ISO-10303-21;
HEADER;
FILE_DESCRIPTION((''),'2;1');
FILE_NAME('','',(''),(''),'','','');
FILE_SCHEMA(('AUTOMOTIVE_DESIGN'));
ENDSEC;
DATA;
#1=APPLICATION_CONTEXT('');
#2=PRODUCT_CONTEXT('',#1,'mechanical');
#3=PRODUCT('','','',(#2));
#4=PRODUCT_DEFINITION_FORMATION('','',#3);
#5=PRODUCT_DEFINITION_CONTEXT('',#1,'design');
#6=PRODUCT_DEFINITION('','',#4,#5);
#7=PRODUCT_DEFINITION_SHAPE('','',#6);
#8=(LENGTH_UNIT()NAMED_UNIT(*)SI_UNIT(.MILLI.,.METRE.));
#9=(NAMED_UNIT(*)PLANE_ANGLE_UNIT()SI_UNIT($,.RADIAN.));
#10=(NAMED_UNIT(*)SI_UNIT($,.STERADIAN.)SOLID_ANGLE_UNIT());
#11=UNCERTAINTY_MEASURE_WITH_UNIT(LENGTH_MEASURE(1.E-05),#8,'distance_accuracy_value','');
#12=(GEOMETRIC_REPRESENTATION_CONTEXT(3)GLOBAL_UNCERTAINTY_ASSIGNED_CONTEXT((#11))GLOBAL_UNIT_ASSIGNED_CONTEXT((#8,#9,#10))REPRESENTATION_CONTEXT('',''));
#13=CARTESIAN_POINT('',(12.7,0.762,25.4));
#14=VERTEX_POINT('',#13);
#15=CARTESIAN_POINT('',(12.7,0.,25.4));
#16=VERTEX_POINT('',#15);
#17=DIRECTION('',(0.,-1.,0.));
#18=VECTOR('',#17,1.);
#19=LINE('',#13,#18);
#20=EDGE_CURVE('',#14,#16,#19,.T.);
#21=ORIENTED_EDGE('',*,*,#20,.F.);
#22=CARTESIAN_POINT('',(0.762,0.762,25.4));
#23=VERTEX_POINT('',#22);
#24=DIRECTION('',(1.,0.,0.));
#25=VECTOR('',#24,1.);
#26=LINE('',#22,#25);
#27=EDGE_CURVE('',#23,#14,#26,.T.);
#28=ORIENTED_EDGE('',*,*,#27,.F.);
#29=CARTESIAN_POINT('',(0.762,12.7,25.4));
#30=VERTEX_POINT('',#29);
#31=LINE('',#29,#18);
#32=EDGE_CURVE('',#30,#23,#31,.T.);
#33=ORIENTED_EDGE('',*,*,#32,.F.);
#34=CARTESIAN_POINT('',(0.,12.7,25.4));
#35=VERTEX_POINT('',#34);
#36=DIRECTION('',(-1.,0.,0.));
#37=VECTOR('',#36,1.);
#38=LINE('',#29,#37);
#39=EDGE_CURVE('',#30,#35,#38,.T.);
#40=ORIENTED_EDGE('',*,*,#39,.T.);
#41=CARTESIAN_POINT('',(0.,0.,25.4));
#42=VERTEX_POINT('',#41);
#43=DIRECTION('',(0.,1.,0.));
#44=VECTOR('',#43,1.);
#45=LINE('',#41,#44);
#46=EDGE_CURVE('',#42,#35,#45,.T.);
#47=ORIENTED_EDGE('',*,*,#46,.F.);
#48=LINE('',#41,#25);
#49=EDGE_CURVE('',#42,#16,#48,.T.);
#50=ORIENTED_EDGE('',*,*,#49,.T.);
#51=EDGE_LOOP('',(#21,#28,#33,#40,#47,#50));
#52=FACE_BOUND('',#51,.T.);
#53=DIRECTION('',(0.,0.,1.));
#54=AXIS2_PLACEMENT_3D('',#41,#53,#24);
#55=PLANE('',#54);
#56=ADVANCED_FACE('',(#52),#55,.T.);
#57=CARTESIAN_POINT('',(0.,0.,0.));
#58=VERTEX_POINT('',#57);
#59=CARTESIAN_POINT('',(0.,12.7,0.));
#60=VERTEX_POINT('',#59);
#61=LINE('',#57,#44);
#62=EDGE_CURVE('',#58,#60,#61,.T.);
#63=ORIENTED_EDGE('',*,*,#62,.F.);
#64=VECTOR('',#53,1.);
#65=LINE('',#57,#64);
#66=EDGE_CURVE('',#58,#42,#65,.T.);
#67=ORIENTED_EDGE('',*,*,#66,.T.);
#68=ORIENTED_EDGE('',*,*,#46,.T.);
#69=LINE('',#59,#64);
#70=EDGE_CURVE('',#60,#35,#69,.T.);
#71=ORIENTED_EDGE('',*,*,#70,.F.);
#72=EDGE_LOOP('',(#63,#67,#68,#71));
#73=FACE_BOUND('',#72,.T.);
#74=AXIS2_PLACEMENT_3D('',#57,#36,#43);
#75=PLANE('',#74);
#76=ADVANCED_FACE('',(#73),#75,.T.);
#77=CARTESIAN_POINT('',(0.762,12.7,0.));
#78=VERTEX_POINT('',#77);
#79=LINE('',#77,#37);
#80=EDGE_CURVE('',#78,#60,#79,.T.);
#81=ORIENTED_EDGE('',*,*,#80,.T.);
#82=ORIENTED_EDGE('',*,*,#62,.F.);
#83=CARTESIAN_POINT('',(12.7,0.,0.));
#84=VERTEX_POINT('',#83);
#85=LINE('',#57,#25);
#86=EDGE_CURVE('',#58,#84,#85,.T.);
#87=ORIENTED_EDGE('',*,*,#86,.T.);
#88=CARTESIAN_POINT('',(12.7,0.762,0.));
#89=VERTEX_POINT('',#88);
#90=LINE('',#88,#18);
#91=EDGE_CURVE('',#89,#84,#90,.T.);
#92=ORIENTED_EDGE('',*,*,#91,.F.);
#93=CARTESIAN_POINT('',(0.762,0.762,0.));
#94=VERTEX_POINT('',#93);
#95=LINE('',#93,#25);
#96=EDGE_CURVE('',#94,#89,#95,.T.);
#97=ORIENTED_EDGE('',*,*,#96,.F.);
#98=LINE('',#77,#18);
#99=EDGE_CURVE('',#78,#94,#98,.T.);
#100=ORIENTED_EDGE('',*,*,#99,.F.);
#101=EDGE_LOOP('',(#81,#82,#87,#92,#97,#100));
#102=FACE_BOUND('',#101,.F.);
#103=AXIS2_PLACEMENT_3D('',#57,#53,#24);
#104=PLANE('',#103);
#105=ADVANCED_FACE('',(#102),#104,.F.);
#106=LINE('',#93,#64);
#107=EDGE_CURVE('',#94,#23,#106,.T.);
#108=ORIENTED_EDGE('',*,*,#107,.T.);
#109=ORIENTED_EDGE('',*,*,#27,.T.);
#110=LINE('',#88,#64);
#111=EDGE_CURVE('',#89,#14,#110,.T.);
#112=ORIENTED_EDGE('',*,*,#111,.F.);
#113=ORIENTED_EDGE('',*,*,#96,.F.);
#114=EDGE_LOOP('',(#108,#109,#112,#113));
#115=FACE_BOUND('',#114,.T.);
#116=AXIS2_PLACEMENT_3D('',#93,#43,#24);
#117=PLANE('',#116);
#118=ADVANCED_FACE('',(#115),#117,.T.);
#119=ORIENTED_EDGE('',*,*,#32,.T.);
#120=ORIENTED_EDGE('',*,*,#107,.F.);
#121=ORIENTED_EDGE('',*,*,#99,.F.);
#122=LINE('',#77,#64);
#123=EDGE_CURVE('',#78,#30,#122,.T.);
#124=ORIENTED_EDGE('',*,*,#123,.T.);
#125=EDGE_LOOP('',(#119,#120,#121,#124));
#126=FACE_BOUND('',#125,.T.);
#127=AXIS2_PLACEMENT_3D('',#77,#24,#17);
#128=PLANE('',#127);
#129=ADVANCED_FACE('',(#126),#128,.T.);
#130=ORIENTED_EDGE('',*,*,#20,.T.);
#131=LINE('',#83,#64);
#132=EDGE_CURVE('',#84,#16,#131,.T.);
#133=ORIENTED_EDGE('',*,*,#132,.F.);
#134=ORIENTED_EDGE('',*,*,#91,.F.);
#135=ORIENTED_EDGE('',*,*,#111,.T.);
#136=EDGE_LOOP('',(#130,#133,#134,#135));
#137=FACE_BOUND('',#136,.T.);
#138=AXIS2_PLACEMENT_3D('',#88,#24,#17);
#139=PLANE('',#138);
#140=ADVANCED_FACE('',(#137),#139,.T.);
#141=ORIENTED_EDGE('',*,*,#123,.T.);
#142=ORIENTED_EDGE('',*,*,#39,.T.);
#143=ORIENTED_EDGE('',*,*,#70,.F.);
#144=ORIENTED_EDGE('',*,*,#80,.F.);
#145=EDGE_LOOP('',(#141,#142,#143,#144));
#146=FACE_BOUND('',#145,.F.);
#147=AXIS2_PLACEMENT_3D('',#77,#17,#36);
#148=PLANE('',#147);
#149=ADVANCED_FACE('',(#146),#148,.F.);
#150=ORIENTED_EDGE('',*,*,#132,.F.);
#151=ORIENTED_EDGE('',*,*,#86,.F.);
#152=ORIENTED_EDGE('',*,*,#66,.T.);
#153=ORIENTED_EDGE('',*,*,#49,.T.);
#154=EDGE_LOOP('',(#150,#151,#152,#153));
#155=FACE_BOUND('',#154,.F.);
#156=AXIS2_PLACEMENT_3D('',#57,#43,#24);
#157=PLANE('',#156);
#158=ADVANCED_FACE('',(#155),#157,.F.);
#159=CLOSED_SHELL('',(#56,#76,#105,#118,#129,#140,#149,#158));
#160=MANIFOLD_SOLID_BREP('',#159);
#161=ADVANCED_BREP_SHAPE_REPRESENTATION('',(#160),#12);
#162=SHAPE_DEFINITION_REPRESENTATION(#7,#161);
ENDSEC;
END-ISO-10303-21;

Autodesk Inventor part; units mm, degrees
ref_plane "YZ Plane" through (0, 0, 0) normal (1, 0, 0) x (0, 1, 0)
ref_plane "XZ Plane" through (0, 0, 0) normal (0, 1, 0) x (-1, 0, 0)
ref_plane "XY Plane" through (0, 0, 0) normal (0, 0, 1) x (1, 0, 0)
sketch "Sketch1" plane through (0, 0, 0) normal (0, 0, 1) x (1, 0, 0)
  line L0 (0, 0) -> (0, 12.7)
  line L1 (0, 0) -> (12.7, 0)
  line L2 (0.762, 12.7) -> (0.762, 0.762)
  line L3 (0.762, 0.762) -> (12.7, 0.762)
  line L4 (0.762, 12.7) -> (0, 12.7)
  line L5 (12.7, 0.762) -> (12.7, 0)
  dimension "d0" = 12.7
  dimension "d1" = 12.7
  dimension "d2" = 0.762
extrude "Extrusion1" add sketch "Sketch1" along normal blind 25.4
properties part number "Bracket_Motor" material "Aluminum 6061"
